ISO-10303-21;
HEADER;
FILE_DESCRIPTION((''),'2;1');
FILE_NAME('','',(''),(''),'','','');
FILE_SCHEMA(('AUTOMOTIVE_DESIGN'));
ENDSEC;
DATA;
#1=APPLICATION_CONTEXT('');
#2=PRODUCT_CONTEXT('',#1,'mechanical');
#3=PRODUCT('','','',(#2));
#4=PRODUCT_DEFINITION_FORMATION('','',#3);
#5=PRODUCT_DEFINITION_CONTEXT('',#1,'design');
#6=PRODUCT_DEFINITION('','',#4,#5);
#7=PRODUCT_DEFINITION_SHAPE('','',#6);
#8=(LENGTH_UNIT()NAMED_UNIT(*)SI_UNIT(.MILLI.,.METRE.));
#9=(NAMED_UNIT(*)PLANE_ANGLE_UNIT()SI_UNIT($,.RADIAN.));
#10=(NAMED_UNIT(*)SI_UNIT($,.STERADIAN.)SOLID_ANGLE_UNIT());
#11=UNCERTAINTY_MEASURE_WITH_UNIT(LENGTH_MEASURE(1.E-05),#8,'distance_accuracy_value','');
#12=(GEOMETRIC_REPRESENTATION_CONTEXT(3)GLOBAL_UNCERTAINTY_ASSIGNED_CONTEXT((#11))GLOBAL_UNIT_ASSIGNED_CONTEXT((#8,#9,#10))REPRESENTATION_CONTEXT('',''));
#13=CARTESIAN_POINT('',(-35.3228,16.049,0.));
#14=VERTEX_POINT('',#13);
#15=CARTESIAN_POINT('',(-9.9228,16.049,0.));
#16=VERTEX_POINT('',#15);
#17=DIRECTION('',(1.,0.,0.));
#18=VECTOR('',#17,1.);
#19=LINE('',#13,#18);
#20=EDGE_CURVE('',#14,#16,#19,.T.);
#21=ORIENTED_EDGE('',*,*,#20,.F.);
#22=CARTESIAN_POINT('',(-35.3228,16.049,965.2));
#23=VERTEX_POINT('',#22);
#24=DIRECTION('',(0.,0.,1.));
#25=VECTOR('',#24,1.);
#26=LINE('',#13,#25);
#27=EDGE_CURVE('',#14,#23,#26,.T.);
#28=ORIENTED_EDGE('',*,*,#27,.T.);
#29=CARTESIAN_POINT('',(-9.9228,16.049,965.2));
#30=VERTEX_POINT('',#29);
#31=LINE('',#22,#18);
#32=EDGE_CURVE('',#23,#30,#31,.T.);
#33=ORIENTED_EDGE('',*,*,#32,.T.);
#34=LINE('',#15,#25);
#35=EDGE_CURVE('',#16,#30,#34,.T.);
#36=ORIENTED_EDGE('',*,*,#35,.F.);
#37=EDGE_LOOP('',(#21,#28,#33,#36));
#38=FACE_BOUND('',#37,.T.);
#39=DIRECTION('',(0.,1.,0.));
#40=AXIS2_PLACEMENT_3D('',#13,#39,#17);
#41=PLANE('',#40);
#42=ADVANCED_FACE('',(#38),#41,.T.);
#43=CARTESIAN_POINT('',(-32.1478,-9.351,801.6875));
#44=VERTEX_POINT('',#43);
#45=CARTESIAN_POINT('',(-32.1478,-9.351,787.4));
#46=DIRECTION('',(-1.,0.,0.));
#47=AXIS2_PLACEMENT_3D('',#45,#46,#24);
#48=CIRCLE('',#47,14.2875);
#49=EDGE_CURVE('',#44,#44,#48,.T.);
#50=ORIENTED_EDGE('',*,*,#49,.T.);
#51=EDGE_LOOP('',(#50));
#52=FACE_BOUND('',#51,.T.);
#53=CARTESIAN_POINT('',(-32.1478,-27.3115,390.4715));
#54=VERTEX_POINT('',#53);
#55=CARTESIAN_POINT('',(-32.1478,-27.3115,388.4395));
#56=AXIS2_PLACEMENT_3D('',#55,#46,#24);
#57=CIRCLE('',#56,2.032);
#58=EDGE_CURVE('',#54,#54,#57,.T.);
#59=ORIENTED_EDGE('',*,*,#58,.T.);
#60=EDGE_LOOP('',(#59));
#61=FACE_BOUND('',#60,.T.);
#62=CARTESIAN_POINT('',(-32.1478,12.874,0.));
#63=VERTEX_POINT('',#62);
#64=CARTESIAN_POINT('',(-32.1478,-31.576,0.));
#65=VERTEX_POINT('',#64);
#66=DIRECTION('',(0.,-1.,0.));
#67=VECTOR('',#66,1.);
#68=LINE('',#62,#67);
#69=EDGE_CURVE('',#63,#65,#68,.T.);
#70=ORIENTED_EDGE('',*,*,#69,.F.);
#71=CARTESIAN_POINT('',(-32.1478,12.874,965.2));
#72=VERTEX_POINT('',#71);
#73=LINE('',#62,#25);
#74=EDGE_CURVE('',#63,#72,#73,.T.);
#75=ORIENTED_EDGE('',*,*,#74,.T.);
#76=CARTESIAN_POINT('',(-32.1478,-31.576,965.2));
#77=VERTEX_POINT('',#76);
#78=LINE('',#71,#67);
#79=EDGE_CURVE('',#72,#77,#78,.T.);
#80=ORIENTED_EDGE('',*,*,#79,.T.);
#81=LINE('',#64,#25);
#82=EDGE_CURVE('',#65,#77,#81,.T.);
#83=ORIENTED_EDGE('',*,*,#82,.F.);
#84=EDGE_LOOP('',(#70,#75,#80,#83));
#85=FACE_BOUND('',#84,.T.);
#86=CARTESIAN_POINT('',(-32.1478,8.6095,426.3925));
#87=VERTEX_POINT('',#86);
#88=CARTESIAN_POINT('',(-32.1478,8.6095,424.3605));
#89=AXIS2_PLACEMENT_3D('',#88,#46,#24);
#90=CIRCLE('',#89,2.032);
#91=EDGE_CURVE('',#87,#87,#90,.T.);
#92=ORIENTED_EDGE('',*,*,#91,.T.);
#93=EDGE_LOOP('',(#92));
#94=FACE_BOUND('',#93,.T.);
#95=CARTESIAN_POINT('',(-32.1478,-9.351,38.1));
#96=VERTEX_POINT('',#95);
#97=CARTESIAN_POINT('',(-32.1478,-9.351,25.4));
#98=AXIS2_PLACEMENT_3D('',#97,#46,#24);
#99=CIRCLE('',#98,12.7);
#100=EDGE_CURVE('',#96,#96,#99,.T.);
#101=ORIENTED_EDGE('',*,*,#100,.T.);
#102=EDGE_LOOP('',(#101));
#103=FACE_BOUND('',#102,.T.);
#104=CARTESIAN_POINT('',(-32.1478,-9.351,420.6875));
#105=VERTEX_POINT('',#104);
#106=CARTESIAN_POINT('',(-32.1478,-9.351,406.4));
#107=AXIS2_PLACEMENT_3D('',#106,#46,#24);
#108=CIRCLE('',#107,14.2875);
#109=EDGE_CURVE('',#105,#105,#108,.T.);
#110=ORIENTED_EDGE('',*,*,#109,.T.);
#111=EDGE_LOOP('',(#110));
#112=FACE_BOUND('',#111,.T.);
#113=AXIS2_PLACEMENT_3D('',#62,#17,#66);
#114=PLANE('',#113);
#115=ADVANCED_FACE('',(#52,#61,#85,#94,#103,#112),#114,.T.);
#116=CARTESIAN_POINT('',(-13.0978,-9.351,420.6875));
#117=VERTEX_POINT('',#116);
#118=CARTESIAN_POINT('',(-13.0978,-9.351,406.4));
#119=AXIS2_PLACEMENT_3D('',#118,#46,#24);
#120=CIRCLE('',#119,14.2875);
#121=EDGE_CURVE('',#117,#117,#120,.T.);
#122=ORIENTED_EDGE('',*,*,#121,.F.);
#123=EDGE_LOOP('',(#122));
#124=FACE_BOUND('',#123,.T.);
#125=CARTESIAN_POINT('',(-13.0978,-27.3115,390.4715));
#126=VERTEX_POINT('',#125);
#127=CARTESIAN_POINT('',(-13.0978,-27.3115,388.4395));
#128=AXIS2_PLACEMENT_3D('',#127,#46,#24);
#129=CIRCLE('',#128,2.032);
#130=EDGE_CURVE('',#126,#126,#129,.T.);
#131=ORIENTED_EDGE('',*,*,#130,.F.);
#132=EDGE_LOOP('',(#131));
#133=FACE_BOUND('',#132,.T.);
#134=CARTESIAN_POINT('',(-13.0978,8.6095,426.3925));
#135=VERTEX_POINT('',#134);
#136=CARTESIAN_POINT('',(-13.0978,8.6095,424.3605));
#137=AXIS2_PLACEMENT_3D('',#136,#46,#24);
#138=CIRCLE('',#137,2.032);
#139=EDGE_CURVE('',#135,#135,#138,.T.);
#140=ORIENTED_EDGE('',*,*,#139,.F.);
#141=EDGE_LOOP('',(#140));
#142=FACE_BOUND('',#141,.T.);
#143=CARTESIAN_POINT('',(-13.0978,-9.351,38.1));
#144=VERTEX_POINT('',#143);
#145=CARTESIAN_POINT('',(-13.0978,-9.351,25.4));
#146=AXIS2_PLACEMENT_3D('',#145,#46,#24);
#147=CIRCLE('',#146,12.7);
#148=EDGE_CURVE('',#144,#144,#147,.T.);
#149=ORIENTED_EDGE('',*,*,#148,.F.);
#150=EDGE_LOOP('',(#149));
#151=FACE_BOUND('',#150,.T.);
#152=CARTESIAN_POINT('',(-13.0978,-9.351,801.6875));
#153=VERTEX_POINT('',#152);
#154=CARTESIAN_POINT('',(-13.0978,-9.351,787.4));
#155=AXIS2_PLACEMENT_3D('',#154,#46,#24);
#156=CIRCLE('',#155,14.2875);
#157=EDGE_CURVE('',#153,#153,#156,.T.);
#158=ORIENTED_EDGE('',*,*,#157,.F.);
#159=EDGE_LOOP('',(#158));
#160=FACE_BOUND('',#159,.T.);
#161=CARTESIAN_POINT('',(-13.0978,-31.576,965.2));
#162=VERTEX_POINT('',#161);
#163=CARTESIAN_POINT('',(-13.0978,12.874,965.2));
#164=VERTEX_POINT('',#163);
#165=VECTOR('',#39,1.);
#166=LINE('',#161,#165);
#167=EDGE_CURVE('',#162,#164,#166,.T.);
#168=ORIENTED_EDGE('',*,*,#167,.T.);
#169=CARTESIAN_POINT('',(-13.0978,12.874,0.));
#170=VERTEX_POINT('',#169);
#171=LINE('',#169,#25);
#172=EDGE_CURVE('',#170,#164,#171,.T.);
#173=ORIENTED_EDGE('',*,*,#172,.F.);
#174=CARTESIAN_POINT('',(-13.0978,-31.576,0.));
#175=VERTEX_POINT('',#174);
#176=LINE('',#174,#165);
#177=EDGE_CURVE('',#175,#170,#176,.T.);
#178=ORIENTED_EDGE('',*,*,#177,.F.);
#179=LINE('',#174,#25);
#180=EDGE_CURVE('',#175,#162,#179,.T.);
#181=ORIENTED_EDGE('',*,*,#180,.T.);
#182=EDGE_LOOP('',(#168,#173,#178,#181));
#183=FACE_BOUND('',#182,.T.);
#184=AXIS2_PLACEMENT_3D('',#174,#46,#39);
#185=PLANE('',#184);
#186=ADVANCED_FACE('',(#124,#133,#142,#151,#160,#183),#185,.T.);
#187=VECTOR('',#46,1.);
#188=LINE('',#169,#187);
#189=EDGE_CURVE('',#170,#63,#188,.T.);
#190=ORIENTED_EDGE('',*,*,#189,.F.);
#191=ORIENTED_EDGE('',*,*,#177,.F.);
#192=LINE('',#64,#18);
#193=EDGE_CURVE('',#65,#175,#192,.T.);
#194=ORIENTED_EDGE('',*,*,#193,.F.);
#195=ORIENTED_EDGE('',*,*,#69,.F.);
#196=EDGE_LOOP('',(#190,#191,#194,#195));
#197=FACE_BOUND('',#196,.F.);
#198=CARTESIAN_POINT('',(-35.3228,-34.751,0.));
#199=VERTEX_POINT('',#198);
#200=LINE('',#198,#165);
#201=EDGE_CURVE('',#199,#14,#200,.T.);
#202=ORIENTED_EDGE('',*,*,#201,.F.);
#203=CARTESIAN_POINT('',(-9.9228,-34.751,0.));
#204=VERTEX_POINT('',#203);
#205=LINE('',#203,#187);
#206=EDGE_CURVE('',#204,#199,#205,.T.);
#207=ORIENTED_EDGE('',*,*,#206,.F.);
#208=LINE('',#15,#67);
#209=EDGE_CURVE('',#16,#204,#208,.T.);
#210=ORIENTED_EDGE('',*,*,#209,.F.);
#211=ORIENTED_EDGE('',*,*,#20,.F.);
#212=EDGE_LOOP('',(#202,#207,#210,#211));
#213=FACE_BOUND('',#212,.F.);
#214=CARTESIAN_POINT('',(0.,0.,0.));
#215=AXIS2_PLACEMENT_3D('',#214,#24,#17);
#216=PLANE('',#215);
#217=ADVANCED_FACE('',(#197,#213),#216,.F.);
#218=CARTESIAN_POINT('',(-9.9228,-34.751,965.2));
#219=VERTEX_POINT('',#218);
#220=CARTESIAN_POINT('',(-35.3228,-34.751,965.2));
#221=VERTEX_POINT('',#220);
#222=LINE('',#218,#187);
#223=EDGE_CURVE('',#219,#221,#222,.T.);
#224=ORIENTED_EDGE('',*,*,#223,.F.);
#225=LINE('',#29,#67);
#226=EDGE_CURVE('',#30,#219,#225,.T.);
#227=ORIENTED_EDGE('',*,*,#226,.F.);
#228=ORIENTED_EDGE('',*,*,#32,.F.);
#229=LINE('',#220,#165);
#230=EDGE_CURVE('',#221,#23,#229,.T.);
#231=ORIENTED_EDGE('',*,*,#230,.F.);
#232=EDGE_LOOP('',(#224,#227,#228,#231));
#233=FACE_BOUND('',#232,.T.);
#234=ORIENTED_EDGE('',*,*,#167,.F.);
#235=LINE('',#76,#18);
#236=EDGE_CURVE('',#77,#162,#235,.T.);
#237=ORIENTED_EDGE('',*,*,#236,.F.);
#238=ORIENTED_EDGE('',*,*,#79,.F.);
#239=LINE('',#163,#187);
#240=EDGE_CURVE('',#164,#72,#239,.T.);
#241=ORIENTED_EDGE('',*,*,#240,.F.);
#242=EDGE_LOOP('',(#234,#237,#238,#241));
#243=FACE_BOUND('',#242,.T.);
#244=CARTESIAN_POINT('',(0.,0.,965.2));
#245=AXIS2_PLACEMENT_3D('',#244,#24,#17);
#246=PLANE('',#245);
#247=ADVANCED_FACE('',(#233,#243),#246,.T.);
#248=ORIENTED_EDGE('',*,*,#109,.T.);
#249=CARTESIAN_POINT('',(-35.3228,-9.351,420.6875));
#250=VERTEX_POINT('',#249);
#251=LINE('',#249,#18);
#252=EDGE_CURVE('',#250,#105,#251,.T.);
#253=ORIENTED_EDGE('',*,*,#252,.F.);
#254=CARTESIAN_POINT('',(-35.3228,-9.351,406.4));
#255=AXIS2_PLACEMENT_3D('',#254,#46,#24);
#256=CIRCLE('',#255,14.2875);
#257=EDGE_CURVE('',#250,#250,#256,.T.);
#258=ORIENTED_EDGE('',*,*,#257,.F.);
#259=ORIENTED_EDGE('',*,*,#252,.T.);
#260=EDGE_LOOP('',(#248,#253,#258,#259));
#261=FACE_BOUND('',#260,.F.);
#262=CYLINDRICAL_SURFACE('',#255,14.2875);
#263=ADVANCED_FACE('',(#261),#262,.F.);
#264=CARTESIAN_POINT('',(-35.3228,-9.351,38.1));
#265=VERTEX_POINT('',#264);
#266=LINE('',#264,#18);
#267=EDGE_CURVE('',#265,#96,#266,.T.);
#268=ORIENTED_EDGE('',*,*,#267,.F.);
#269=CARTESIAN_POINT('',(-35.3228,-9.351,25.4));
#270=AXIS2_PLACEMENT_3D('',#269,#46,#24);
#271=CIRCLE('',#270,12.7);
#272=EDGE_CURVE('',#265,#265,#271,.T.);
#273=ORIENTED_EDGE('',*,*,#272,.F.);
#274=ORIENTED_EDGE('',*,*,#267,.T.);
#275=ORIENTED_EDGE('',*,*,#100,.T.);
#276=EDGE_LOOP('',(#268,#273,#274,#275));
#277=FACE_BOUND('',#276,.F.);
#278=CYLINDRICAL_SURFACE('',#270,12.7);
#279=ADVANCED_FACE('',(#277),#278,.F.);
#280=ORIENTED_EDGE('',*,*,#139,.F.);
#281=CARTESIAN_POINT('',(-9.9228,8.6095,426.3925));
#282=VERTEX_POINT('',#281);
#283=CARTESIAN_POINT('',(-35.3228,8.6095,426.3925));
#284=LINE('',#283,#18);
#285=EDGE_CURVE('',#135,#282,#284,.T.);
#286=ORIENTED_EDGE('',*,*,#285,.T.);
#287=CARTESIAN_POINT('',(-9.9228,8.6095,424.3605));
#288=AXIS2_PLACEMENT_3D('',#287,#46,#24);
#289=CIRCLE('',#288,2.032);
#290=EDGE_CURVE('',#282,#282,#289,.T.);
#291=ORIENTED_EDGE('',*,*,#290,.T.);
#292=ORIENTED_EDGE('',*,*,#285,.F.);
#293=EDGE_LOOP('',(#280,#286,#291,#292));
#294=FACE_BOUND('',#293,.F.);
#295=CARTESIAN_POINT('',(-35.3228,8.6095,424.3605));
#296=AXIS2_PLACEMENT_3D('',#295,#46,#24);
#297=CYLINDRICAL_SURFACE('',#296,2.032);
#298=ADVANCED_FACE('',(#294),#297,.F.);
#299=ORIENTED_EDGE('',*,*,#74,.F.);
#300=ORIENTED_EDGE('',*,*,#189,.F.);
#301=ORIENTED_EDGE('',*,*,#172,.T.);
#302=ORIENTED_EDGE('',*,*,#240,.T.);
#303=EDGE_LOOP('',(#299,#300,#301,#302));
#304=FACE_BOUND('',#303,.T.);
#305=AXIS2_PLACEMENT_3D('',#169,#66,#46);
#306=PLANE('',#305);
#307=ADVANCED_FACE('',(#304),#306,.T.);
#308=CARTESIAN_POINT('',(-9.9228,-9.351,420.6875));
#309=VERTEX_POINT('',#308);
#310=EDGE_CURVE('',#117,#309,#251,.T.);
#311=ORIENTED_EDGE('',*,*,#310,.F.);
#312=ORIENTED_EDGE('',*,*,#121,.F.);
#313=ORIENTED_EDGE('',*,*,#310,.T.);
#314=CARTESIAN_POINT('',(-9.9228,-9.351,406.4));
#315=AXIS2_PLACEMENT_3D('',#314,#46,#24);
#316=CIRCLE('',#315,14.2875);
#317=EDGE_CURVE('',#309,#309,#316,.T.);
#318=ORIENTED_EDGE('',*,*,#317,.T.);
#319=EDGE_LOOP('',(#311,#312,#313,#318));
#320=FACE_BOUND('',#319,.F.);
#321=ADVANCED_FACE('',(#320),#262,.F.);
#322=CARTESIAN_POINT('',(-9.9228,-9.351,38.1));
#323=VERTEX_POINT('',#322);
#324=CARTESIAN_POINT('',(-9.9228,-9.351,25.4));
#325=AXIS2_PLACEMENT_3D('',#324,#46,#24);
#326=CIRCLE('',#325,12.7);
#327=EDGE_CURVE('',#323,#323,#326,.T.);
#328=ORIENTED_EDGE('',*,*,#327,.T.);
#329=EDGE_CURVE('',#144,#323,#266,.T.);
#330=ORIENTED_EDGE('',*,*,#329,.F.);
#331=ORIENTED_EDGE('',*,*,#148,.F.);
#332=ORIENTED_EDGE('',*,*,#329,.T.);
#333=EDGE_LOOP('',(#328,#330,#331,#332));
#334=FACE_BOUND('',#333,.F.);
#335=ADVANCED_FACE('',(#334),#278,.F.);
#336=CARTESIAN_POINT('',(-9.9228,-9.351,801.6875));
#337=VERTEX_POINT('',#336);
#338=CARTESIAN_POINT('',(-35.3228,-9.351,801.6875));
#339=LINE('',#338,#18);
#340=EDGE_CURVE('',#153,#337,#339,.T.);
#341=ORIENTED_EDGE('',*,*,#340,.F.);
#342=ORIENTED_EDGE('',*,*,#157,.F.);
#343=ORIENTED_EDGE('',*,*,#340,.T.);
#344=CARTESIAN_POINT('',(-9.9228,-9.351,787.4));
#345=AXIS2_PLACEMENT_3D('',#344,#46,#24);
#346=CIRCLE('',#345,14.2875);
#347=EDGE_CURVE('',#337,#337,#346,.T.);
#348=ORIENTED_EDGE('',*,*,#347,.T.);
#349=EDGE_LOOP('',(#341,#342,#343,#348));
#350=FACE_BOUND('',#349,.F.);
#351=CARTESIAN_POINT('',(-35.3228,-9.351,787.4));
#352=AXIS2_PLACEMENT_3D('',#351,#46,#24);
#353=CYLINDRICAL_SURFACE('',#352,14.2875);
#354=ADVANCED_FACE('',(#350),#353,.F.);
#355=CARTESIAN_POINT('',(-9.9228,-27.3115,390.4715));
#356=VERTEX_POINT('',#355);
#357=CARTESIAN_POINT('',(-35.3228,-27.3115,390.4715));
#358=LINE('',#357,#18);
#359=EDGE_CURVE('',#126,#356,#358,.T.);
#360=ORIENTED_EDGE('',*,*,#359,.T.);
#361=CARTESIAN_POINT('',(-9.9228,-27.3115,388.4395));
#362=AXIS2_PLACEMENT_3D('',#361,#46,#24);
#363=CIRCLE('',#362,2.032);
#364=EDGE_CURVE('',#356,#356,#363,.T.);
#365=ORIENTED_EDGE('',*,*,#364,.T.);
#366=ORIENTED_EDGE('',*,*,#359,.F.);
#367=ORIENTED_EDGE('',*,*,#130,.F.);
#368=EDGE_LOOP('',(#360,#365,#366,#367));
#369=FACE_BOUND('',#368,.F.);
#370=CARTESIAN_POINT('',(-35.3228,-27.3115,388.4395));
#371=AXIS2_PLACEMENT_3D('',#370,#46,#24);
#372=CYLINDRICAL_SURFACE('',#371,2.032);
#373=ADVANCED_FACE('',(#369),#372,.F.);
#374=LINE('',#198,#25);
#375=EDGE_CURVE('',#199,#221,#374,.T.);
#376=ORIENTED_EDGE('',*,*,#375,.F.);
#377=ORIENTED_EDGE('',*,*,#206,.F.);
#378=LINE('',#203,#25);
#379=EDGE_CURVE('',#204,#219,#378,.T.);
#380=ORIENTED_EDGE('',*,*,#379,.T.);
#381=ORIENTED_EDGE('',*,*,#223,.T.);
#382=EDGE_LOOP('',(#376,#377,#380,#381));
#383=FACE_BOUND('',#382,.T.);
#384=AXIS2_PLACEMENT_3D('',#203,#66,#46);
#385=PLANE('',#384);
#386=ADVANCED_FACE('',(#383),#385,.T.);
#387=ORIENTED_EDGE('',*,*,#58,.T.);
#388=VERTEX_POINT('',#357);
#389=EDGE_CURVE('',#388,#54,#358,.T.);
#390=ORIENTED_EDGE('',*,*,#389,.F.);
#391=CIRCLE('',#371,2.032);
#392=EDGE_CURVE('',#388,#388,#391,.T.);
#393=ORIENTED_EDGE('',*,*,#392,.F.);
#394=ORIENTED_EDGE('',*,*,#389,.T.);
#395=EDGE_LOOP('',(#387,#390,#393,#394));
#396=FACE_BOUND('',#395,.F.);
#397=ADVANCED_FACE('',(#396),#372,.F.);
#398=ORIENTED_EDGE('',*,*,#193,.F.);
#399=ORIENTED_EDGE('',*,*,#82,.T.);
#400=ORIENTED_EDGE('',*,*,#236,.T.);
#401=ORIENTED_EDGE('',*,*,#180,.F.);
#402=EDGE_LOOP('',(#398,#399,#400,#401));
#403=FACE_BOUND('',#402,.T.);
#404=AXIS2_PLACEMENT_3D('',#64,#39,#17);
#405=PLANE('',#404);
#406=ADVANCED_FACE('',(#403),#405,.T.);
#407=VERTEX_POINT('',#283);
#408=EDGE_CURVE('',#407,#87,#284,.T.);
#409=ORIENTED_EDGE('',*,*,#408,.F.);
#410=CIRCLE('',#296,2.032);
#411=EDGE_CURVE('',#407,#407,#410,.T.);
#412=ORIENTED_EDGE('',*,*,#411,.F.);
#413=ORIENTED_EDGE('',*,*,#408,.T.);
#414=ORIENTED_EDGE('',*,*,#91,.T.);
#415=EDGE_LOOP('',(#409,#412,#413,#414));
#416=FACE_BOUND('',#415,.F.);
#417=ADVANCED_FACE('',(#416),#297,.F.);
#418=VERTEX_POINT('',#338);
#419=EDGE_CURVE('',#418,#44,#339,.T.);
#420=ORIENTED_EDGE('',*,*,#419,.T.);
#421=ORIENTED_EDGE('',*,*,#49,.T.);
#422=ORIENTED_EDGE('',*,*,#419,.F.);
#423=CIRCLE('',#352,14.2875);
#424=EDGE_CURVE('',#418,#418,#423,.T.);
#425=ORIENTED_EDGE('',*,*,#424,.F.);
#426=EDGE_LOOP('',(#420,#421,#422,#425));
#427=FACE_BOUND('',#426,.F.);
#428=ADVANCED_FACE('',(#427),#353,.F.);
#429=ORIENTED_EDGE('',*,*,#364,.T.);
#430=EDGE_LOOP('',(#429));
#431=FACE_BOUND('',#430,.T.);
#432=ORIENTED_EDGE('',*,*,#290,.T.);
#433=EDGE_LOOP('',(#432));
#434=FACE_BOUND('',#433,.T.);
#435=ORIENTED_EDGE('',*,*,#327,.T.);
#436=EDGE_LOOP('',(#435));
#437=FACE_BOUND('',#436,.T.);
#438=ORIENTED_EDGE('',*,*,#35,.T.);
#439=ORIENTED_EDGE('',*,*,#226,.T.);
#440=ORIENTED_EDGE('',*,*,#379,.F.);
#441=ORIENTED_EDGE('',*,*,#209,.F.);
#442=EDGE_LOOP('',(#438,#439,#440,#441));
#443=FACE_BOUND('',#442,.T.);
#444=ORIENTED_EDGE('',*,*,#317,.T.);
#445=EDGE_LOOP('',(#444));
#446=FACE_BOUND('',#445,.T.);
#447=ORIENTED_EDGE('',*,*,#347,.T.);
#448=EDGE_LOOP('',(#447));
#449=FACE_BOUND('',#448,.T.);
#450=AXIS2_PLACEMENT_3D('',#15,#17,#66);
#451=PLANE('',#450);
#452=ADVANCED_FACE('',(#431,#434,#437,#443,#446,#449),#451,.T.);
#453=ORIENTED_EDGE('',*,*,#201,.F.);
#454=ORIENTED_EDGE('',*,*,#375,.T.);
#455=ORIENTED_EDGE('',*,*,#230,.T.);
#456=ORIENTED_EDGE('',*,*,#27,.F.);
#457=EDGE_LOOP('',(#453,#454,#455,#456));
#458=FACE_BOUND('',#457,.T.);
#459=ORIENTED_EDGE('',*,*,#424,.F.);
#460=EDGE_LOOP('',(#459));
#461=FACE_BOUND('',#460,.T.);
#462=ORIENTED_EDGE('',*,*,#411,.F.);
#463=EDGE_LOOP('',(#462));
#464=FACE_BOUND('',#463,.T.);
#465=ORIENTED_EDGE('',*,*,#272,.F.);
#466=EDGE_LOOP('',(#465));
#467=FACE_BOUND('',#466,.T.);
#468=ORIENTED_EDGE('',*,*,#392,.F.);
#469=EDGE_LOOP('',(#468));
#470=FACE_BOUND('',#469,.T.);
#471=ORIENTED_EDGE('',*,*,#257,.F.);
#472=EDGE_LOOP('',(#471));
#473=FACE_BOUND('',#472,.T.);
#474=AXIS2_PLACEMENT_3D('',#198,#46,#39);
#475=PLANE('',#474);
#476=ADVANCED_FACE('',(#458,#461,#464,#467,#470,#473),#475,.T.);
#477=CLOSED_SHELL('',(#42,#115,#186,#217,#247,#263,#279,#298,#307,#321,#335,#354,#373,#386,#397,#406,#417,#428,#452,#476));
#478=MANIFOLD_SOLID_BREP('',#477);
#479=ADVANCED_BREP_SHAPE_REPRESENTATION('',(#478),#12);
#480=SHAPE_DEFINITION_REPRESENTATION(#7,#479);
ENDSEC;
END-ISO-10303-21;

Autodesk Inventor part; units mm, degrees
ref_plane "YZ Plane" through (0, 0, 0) normal (1, 0, 0) x (0, 1, 0)
ref_plane "XZ Plane" through (0, 0, 0) normal (0, 1, 0) x (-1, 0, 0)
ref_plane "XY Plane" through (0, 0, 0) normal (0, 0, 1) x (1, 0, 0)
sketch "Sketch1" plane through (0, 0, 0) normal (0, 0, 1) x (1, 0, 0)
  line L0 (-35.3228, 16.049) -> (-9.9228, 16.049)
  line L1 (-9.9228, 16.049) -> (-9.9228, -34.751)
  line L2 (-9.9228, -34.751) -> (-35.3228, -34.751)
  line L3 (-35.3228, -34.751) -> (-35.3228, 16.049)
  line L4 (-13.0978, 12.874) -> (-32.1478, 12.874)
  line L5 (-32.1478, 12.874) -> (-32.1478, -31.576)
  line L6 (-32.1478, -31.576) -> (-13.0978, -31.576)
  line L7 (-13.0978, -31.576) -> (-13.0978, 12.874)
  point P0 (0, 0)
  dimension "d0" = 25.4
  dimension "d1" = 50.8
  dimension "d2" = 3.175
extrude "Extrusion1" add sketch "Sketch1" along normal blind 965.2
sketch "Sketch2" plane through (-35.3228, -34.751, 0) normal (-1, 0, 0) x (0, 0, 1)
  line L0 (0, 0) -> (0, 50.8) construction
  line L1 (0, 25.4) -> (25.4, 25.4) construction
  circle A0 centre (25.4, 25.4) radius 12.7
  point P0 (0, 34.751)
  dimension "d5" = 25.4
  dimension "d9" = 25.4
extrude "Extrusion2" cut sketch "Sketch2" against normal blind 254
sketch "Sketch3" plane through (-35.3228, -34.751, 0) normal (-1, 0, 0) x (0, 0, 1)
  line L0 (965.2, 50.8) -> (965.2, 0) construction
  line L1 (965.2, 25.4) -> (787.4, 25.4) construction
  circle A0 centre (787.4, 25.4) radius 14.2875
  point P0 (0, 34.751)
  dimension "d10" = 177.8
  dimension "d11" = 28.575
extrude "Extrusion3" cut sketch "Sketch3" against normal blind 25.4
sketch "Sketch4" plane through (-35.3228, -34.751, 0) normal (-1, 0, 0) x (0, 0, 1)
  line L0 (965.2, 50.8) -> (965.2, 0) construction
  line L1 (965.2, 25.4) -> (406.4, 25.4) construction
  circle A0 centre (406.4, 25.4) radius 14.2875
  point P0 (0, 34.751)
  dimension "d14" = 558.8
  dimension "d15" = 28.575
extrude "Extrusion4" cut sketch "Sketch4" against normal blind 25.4
sketch "Sketch5" plane through (-35.3228, -34.751, 0) normal (-1, 0, 0) x (0, 0, 1)
  circle A0 centre (406.4, 25.4) radius 14.2875 construction
  line L0 (406.4, 25.4) -> (388.4395, 7.4395) construction
  line L1 (406.4, 25.4) -> (431.8, 25.4) construction
  line L2 (406.4, 25.4) -> (424.3605, 43.3605) construction
  circle A1 centre (388.4395, 7.4395) radius 2.032
  circle A2 centre (424.3605, 43.3605) radius 2.032
  point P0 (0, 34.751)
  dimension "d18" = 25.4
  dimension "d19" = 135
  dimension "d20" = 25.4
  dimension "d21" = 4.064
  dimension "d22" = 4.064
extrude "Extrusion5" cut sketch "Sketch5" against normal blind 25.4
properties part number "34.48in Arm Bea"
